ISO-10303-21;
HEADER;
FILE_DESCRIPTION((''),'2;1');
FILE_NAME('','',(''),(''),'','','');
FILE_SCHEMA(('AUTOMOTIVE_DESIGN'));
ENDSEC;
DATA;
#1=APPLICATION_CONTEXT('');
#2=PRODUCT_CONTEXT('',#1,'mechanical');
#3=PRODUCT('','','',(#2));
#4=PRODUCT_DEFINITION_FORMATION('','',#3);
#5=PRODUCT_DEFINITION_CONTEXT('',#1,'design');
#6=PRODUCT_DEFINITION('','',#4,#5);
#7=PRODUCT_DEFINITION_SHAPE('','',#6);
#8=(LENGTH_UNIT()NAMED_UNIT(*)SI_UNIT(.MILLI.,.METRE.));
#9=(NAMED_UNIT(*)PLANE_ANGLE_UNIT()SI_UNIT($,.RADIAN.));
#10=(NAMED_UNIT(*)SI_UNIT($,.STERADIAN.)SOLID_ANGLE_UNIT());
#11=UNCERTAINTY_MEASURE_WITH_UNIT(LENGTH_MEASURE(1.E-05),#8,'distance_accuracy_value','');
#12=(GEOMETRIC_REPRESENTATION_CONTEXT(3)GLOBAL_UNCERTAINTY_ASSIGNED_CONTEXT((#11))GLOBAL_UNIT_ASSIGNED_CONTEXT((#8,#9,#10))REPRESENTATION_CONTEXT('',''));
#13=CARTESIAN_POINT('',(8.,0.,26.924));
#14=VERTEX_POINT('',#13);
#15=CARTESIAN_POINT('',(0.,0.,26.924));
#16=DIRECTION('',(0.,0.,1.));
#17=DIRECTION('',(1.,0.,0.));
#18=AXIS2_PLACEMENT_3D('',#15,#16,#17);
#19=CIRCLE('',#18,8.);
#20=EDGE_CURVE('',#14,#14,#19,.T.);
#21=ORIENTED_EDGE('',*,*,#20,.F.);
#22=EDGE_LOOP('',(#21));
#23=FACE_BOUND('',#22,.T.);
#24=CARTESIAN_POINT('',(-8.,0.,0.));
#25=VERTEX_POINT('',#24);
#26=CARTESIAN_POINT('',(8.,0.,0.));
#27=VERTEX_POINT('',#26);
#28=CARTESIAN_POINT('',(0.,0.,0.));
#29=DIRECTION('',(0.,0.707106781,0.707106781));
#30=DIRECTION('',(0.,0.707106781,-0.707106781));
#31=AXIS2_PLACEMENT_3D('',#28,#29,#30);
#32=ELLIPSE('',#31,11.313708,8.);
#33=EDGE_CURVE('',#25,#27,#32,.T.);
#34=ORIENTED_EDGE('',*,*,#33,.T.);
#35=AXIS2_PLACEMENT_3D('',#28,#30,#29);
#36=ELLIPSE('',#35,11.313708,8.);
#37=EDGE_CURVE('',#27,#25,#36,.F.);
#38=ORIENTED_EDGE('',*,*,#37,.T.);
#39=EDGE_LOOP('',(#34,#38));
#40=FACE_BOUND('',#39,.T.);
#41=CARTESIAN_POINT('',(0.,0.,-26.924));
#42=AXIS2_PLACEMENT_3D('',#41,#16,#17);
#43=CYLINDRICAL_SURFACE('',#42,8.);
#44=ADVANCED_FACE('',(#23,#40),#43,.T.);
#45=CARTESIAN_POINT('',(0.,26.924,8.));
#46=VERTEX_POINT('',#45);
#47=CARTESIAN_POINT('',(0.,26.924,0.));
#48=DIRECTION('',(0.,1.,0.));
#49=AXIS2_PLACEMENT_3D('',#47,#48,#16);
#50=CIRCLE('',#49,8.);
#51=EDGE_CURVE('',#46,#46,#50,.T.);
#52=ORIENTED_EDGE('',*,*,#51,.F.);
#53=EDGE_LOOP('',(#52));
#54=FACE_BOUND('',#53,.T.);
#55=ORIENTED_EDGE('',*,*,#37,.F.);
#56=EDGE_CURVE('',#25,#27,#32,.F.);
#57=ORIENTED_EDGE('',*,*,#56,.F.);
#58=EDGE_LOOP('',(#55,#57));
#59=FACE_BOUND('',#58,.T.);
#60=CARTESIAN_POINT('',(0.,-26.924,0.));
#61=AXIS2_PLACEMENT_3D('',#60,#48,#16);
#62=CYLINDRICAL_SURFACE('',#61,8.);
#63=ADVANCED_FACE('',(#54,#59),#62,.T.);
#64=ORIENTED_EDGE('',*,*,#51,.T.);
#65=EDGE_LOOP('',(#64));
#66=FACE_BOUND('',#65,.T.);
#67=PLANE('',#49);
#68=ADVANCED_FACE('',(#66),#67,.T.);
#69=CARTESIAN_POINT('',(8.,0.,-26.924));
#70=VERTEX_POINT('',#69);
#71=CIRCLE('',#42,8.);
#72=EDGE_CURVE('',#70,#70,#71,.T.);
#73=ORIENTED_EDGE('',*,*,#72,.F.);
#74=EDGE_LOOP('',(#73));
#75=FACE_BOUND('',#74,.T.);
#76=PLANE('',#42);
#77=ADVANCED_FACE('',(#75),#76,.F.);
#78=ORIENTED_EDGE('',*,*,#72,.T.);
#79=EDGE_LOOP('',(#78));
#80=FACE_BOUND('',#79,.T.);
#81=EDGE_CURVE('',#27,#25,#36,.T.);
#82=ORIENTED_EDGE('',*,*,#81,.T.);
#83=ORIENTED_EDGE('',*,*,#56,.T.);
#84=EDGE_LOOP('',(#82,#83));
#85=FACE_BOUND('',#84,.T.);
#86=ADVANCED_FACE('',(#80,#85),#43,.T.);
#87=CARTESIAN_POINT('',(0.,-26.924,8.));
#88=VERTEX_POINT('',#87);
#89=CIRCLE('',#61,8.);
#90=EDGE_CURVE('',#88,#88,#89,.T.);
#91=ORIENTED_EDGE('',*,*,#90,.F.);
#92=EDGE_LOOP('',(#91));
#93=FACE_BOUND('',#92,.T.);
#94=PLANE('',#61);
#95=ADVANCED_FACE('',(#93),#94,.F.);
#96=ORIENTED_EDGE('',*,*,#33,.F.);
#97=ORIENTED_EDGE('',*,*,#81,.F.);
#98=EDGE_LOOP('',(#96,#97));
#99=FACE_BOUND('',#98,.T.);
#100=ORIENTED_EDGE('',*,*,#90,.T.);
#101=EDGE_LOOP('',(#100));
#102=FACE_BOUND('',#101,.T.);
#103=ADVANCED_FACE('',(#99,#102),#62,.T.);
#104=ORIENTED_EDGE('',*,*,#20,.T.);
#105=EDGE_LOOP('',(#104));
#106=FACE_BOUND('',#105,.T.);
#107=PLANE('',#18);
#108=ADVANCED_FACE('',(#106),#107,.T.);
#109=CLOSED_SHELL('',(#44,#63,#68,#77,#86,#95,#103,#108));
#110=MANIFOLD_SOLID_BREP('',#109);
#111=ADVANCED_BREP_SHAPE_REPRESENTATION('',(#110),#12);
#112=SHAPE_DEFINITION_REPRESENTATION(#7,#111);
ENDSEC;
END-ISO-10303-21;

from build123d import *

# Parameters (mm, degrees)
BOSS_EXTRUDE1_DEPTH      = 26.924
BOSS_EXTRUDE1_DEPTH_BACK = 26.924
SKETCH1_R                = 8
BOSS_EXTRUDE2_DEPTH      = 26.924
BOSS_EXTRUDE2_DEPTH_BACK = 26.924
SKETCH2_R                = 8


with BuildPart() as part:
    # Sketch1 → Boss-Extrude1 (new, two sides: drawn at the far end of the back side and taken through both)
    with BuildSketch(Plane(origin=(0, 0, 0), x_dir=(1, 0, 0), z_dir=(0, 1, 0)).offset(-BOSS_EXTRUDE1_DEPTH_BACK)):
        Circle(SKETCH1_R)
    extrude(amount=BOSS_EXTRUDE1_DEPTH + BOSS_EXTRUDE1_DEPTH_BACK)

    # Sketch2 → Boss-Extrude2 (add, two sides: drawn at the far end of the back side and taken through both)
    with BuildSketch(Plane.XY.offset(-BOSS_EXTRUDE2_DEPTH_BACK)):
        Circle(SKETCH2_R)
    extrude(amount=BOSS_EXTRUDE2_DEPTH + BOSS_EXTRUDE2_DEPTH_BACK)


solid = part.part
